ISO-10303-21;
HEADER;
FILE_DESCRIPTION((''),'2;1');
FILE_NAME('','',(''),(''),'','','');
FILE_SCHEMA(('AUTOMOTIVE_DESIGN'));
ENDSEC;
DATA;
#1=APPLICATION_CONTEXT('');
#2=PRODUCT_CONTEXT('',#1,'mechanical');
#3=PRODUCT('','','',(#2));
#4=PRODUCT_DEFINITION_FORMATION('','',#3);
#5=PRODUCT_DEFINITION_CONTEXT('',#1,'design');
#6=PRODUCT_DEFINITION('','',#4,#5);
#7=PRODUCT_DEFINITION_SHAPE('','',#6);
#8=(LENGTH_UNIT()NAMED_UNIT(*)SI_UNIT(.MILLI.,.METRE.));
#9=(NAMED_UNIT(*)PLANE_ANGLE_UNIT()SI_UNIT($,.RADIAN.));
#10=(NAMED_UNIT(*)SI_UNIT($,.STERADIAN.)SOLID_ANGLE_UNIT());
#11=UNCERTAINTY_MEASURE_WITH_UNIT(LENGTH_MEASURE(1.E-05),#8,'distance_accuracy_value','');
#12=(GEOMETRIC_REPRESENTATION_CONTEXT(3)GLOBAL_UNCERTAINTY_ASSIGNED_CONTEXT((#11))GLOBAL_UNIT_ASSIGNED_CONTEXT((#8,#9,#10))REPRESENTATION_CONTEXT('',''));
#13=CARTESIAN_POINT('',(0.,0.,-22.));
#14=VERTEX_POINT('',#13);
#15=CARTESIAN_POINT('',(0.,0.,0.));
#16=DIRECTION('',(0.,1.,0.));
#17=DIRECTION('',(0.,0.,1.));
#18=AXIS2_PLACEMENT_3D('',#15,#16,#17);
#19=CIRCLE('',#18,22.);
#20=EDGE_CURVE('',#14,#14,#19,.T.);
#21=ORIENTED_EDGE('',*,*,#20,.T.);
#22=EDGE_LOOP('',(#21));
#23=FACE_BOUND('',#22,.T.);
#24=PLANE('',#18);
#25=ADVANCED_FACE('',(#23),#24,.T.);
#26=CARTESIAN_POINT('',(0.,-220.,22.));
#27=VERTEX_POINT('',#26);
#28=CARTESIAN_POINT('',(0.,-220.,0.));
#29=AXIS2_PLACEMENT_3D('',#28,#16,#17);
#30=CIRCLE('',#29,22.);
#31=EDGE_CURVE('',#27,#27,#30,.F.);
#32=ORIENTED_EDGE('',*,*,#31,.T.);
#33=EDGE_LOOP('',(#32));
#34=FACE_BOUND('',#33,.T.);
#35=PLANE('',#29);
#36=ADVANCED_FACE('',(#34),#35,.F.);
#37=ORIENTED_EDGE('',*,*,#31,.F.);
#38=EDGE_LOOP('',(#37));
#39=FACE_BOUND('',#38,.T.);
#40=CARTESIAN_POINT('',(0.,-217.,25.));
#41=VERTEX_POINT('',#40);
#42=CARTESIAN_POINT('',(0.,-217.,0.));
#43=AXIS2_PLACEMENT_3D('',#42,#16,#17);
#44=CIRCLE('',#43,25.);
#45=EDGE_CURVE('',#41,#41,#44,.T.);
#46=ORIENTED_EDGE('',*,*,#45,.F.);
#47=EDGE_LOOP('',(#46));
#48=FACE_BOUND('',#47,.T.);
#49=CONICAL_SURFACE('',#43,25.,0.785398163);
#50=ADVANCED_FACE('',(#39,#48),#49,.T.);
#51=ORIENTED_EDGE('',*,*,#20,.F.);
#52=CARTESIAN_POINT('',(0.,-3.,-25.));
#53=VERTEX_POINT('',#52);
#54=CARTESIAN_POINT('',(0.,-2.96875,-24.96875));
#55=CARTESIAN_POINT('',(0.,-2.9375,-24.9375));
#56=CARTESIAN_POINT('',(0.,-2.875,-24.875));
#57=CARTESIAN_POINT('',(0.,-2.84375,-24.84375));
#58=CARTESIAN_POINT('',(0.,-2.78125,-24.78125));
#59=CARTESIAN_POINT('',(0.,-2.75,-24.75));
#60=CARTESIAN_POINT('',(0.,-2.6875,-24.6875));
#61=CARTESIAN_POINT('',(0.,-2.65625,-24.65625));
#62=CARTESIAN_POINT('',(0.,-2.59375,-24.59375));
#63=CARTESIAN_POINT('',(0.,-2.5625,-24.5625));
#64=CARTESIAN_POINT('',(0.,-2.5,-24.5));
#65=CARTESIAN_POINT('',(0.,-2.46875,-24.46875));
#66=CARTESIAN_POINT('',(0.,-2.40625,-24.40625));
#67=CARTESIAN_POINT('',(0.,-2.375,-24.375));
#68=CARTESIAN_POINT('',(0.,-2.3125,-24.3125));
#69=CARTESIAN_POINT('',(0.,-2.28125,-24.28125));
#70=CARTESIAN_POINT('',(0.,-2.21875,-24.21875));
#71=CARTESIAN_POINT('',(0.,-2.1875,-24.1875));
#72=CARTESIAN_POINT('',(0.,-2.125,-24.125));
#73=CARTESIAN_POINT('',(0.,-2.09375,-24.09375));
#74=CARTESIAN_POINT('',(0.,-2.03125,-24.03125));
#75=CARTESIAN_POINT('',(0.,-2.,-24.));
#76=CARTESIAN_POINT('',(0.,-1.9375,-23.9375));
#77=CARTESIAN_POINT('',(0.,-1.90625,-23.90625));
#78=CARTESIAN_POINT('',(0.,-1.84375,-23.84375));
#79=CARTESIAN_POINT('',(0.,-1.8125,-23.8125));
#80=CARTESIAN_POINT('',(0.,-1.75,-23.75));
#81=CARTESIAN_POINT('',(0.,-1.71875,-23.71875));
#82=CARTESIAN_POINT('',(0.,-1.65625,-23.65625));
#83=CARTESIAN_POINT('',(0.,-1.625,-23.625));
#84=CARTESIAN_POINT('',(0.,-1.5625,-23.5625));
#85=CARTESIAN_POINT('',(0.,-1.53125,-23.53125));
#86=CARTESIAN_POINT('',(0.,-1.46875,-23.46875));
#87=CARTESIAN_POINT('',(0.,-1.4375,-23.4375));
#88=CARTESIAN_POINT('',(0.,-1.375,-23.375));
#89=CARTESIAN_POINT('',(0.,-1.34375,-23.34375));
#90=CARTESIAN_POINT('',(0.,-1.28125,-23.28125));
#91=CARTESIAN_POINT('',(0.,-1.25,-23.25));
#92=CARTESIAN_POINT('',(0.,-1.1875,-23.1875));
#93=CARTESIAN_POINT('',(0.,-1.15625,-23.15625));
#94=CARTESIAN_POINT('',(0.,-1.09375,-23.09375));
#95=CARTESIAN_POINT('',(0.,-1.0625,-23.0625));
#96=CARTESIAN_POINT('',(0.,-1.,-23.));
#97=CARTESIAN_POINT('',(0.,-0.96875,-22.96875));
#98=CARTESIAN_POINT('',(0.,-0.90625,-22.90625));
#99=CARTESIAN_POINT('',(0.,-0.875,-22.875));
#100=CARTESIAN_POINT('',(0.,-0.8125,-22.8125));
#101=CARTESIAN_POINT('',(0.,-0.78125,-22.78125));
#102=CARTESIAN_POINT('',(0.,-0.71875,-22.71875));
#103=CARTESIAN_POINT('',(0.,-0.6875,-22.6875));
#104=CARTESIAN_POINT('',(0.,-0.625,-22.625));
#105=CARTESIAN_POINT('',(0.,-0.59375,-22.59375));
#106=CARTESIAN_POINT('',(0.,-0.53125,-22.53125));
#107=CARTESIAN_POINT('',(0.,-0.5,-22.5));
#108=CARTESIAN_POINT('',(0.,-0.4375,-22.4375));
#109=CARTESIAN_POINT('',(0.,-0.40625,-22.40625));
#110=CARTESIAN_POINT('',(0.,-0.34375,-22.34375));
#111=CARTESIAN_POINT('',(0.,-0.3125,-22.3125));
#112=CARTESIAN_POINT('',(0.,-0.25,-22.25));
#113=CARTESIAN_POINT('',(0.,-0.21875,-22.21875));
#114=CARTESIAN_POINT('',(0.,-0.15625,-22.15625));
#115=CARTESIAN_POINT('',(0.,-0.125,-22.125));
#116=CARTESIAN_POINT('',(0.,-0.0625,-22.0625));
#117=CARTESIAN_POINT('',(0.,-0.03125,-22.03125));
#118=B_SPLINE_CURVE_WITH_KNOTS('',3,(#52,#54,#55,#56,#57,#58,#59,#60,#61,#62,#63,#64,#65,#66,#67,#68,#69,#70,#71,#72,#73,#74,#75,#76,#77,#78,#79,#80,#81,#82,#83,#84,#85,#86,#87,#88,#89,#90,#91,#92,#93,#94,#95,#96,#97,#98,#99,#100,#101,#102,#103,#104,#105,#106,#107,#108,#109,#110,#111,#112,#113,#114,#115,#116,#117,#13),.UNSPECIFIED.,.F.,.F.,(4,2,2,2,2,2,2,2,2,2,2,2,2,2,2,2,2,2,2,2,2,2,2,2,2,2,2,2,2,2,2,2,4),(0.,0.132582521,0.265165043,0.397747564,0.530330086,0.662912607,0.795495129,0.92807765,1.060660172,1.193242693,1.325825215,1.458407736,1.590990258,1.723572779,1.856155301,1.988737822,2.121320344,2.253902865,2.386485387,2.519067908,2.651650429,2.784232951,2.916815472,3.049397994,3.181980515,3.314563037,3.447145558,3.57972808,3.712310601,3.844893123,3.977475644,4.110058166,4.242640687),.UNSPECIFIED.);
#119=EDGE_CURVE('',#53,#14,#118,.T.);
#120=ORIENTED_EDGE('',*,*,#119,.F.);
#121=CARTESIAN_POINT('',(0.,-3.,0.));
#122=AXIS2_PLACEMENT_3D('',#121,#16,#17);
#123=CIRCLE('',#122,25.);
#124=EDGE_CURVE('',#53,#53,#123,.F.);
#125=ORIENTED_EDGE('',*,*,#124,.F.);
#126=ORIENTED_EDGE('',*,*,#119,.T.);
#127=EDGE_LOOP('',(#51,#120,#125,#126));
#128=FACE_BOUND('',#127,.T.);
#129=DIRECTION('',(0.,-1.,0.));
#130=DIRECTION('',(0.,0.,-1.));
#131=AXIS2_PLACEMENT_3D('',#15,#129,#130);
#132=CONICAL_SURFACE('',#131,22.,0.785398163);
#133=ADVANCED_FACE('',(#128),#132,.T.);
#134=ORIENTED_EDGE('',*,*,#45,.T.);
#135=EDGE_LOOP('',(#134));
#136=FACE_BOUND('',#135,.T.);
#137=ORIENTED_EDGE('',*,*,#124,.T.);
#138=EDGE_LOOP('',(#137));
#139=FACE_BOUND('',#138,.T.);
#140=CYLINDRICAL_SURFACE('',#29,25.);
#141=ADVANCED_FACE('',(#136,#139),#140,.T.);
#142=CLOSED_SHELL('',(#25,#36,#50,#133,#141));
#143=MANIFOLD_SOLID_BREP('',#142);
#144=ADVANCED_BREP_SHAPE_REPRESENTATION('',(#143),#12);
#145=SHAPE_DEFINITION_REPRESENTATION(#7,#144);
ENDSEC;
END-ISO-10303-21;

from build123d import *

# Parameters (mm, degrees)
SKETCH1_R           = 25
BOSS_EXTRUDE1_DEPTH = 220
CHAMFER1_SIZE       = 3


with BuildPart() as part:
    # Sketch1 → Boss-Extrude1 (new body)
    with BuildSketch(Plane(origin=(0, 0, 0), x_dir=(1, 0, 0), z_dir=(0, 1, 0))):
        with Locations(Location((0, 0, 0), (0, 0, 270))):
            Circle(SKETCH1_R)
    extrude(amount=-BOSS_EXTRUDE1_DEPTH)

    # Chamfer1
    chamfer1_edges = [part.edges().sort_by_distance(p)[0] for p in [
        (0, 0, -25),
        (0, -220, -25),
    ]]
    chamfer(chamfer1_edges, length=CHAMFER1_SIZE)


solid = part.part
